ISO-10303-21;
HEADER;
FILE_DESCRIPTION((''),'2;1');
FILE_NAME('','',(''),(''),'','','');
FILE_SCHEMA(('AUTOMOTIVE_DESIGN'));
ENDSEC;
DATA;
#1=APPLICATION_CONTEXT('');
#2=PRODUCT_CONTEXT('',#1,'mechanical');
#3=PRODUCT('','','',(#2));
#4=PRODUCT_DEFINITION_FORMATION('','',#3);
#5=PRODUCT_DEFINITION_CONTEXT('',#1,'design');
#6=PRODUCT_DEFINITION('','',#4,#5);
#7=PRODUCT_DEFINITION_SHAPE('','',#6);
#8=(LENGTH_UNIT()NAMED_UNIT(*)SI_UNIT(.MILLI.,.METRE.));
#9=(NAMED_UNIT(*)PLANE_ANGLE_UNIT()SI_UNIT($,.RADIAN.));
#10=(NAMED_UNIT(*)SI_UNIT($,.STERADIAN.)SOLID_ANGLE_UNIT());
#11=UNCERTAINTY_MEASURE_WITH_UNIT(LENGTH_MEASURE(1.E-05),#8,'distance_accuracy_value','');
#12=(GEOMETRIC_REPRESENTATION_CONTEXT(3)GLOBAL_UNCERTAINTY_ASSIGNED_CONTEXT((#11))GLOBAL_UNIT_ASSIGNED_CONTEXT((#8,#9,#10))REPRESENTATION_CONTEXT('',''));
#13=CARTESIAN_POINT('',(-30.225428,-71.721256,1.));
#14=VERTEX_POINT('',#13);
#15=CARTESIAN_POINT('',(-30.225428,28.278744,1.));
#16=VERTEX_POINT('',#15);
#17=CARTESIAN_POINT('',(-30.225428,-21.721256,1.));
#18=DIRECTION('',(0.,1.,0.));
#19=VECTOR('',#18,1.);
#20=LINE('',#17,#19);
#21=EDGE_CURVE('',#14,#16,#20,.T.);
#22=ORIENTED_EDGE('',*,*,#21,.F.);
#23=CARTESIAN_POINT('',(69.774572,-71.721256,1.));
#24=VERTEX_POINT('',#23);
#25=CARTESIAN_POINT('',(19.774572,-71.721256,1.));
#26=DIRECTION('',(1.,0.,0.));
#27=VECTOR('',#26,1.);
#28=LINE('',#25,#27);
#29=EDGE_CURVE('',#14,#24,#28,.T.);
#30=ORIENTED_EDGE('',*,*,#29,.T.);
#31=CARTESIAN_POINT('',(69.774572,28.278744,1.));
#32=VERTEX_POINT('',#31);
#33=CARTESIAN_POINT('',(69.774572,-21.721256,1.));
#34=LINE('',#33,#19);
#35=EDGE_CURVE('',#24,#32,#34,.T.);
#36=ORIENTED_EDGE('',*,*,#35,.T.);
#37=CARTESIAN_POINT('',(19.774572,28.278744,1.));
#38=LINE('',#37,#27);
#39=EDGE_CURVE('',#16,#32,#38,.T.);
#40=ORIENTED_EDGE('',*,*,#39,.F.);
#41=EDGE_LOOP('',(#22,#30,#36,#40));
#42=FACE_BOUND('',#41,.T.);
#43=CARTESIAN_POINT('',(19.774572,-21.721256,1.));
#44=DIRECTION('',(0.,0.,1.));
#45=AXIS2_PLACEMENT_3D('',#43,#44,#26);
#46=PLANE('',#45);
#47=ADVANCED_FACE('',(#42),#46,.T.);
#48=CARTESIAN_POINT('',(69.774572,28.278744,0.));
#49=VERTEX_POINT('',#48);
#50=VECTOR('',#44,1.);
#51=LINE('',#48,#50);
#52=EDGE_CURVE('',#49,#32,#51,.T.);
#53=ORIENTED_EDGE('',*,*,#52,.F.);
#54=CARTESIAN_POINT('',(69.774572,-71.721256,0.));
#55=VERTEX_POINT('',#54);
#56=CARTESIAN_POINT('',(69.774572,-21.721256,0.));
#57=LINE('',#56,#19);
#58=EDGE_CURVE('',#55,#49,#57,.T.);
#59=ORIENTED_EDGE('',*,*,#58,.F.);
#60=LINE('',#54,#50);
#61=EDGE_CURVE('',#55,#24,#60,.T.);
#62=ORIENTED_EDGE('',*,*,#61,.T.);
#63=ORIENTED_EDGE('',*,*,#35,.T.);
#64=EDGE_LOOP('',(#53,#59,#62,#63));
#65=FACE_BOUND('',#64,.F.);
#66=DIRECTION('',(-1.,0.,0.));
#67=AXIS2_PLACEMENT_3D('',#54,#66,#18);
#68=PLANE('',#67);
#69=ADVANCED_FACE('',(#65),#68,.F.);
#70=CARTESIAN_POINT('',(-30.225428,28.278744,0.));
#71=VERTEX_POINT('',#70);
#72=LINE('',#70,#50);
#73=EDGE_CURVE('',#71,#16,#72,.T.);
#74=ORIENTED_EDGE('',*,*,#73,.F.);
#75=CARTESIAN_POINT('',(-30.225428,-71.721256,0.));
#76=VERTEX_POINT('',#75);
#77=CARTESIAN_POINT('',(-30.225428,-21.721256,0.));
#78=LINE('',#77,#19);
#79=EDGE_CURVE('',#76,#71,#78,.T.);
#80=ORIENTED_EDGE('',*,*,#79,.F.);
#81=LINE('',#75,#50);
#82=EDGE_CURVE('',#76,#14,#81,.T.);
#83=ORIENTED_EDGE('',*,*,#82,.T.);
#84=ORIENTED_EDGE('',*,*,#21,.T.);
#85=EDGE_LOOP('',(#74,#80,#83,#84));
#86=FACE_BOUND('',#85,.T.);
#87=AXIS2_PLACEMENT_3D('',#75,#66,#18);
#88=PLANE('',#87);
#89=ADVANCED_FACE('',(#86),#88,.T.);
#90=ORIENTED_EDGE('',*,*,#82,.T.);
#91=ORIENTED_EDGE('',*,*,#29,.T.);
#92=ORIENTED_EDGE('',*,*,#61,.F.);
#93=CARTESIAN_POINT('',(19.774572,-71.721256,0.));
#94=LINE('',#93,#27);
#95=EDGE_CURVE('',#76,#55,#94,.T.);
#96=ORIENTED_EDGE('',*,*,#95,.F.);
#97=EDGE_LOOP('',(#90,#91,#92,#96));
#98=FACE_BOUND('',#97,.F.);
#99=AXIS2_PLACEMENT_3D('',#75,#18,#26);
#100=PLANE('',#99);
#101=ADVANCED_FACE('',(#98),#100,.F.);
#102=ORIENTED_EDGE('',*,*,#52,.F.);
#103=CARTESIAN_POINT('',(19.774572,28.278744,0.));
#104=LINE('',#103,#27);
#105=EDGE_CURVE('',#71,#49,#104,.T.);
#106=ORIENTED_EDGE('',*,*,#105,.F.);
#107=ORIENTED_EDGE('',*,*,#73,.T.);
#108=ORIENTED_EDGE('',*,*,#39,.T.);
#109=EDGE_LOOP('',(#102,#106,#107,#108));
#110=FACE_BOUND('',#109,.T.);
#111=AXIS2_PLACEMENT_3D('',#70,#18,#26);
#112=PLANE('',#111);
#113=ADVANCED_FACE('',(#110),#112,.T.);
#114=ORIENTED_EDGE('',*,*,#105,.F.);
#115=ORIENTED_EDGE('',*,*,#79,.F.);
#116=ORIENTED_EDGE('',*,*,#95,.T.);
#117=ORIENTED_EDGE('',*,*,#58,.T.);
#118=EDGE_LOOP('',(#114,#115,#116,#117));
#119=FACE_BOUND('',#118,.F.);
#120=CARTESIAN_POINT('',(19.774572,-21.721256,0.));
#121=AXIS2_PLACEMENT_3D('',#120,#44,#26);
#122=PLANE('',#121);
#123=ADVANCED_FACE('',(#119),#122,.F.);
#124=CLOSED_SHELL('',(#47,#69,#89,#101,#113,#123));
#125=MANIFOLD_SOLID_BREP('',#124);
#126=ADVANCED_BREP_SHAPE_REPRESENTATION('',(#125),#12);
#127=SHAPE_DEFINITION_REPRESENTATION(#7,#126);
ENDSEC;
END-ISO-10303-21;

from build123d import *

# Parameters (mm, degrees)
SKETCH_W  = 100
SKETCH_H  = 100
PAD_DEPTH = 1


with BuildPart() as part:
    # Sketch → Pad (new body)
    with BuildSketch(Plane.XY):
        with Locations((19.774572, -21.721256)):
            Rectangle(SKETCH_W, SKETCH_H)
    extrude(amount=PAD_DEPTH)


solid = part.part
